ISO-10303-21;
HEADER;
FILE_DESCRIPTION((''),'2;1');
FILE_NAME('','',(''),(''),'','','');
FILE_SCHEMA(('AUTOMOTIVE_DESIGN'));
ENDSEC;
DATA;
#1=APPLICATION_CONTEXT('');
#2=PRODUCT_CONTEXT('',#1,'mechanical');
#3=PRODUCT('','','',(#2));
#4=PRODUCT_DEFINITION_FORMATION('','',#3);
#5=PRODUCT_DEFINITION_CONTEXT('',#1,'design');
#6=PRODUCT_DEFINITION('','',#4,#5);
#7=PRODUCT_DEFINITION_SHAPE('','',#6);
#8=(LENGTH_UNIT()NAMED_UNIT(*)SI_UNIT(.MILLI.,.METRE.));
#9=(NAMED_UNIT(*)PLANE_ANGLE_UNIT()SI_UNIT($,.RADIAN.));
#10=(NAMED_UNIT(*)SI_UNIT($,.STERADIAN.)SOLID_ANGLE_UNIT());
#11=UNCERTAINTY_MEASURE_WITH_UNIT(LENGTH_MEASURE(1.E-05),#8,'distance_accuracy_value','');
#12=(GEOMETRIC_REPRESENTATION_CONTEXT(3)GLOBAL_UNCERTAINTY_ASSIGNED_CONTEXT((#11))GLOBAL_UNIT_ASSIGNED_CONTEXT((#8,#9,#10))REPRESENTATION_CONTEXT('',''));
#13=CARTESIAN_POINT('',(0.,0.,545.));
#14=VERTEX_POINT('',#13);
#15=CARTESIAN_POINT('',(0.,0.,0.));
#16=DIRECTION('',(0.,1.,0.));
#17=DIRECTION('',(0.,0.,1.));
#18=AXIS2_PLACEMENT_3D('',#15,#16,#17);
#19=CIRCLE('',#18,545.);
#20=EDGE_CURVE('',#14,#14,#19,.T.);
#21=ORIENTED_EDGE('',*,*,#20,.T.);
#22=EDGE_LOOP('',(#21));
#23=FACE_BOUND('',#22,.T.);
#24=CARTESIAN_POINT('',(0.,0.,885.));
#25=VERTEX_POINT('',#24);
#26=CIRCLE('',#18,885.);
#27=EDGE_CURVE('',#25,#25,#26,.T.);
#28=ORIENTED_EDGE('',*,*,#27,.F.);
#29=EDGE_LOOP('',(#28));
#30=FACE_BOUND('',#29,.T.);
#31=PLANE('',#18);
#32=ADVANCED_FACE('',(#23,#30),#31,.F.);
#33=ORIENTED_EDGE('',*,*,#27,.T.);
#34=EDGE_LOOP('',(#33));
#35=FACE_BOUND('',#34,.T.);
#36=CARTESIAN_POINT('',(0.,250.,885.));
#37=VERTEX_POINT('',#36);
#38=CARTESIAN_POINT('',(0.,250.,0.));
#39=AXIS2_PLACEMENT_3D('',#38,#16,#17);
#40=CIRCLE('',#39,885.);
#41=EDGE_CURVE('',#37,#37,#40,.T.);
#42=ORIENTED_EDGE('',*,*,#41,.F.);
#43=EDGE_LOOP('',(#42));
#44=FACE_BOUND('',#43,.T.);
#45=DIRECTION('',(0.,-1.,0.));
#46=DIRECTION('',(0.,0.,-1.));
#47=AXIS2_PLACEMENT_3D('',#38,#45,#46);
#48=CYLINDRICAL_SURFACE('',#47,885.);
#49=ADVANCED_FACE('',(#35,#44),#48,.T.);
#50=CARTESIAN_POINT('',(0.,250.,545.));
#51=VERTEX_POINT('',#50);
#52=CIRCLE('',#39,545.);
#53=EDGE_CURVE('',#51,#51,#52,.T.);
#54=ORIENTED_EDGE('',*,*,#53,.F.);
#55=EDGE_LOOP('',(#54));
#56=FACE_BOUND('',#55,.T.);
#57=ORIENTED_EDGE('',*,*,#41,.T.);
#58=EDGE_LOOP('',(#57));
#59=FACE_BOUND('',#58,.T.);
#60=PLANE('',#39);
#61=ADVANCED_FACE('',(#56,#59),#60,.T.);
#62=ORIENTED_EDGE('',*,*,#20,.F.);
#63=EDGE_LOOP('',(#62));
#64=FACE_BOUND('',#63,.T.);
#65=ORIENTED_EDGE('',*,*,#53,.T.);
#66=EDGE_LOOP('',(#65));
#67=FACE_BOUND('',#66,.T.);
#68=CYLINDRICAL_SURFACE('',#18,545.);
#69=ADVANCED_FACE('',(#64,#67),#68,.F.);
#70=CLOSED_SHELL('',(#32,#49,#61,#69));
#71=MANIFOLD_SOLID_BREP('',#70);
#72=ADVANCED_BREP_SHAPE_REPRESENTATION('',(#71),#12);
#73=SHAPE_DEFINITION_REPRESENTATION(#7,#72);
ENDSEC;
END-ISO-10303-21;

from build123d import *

# Parameters (mm, degrees)
SKETCH2_R           = 885
BOSS_EXTRUDE1_DEPTH = 250
SKETCH3_R           = 545
CUT_EXTRUDE1_DEPTH  = 250


with BuildPart() as part:
    # Sketch2 → Boss-Extrude1 (new body)
    with BuildSketch(Plane(origin=(0, 0, 0), x_dir=(1, 0, 0), z_dir=(0, 1, 0))):
        with Locations(Location((0, 0, 0), (0, 0, 270))):
            Circle(SKETCH2_R)
    extrude(amount=BOSS_EXTRUDE1_DEPTH)

    # Sketch3 → Cut-Extrude1 (cut)
    with BuildSketch(Plane(origin=(0, 250, 0), x_dir=(1, 0, 0), z_dir=(0, 1, 0))):
        with Locations(Location((0, 0, 0), (0, 0, 270))):
            Circle(SKETCH3_R)
    extrude(amount=-CUT_EXTRUDE1_DEPTH, mode=Mode.SUBTRACT)


solid = part.part
